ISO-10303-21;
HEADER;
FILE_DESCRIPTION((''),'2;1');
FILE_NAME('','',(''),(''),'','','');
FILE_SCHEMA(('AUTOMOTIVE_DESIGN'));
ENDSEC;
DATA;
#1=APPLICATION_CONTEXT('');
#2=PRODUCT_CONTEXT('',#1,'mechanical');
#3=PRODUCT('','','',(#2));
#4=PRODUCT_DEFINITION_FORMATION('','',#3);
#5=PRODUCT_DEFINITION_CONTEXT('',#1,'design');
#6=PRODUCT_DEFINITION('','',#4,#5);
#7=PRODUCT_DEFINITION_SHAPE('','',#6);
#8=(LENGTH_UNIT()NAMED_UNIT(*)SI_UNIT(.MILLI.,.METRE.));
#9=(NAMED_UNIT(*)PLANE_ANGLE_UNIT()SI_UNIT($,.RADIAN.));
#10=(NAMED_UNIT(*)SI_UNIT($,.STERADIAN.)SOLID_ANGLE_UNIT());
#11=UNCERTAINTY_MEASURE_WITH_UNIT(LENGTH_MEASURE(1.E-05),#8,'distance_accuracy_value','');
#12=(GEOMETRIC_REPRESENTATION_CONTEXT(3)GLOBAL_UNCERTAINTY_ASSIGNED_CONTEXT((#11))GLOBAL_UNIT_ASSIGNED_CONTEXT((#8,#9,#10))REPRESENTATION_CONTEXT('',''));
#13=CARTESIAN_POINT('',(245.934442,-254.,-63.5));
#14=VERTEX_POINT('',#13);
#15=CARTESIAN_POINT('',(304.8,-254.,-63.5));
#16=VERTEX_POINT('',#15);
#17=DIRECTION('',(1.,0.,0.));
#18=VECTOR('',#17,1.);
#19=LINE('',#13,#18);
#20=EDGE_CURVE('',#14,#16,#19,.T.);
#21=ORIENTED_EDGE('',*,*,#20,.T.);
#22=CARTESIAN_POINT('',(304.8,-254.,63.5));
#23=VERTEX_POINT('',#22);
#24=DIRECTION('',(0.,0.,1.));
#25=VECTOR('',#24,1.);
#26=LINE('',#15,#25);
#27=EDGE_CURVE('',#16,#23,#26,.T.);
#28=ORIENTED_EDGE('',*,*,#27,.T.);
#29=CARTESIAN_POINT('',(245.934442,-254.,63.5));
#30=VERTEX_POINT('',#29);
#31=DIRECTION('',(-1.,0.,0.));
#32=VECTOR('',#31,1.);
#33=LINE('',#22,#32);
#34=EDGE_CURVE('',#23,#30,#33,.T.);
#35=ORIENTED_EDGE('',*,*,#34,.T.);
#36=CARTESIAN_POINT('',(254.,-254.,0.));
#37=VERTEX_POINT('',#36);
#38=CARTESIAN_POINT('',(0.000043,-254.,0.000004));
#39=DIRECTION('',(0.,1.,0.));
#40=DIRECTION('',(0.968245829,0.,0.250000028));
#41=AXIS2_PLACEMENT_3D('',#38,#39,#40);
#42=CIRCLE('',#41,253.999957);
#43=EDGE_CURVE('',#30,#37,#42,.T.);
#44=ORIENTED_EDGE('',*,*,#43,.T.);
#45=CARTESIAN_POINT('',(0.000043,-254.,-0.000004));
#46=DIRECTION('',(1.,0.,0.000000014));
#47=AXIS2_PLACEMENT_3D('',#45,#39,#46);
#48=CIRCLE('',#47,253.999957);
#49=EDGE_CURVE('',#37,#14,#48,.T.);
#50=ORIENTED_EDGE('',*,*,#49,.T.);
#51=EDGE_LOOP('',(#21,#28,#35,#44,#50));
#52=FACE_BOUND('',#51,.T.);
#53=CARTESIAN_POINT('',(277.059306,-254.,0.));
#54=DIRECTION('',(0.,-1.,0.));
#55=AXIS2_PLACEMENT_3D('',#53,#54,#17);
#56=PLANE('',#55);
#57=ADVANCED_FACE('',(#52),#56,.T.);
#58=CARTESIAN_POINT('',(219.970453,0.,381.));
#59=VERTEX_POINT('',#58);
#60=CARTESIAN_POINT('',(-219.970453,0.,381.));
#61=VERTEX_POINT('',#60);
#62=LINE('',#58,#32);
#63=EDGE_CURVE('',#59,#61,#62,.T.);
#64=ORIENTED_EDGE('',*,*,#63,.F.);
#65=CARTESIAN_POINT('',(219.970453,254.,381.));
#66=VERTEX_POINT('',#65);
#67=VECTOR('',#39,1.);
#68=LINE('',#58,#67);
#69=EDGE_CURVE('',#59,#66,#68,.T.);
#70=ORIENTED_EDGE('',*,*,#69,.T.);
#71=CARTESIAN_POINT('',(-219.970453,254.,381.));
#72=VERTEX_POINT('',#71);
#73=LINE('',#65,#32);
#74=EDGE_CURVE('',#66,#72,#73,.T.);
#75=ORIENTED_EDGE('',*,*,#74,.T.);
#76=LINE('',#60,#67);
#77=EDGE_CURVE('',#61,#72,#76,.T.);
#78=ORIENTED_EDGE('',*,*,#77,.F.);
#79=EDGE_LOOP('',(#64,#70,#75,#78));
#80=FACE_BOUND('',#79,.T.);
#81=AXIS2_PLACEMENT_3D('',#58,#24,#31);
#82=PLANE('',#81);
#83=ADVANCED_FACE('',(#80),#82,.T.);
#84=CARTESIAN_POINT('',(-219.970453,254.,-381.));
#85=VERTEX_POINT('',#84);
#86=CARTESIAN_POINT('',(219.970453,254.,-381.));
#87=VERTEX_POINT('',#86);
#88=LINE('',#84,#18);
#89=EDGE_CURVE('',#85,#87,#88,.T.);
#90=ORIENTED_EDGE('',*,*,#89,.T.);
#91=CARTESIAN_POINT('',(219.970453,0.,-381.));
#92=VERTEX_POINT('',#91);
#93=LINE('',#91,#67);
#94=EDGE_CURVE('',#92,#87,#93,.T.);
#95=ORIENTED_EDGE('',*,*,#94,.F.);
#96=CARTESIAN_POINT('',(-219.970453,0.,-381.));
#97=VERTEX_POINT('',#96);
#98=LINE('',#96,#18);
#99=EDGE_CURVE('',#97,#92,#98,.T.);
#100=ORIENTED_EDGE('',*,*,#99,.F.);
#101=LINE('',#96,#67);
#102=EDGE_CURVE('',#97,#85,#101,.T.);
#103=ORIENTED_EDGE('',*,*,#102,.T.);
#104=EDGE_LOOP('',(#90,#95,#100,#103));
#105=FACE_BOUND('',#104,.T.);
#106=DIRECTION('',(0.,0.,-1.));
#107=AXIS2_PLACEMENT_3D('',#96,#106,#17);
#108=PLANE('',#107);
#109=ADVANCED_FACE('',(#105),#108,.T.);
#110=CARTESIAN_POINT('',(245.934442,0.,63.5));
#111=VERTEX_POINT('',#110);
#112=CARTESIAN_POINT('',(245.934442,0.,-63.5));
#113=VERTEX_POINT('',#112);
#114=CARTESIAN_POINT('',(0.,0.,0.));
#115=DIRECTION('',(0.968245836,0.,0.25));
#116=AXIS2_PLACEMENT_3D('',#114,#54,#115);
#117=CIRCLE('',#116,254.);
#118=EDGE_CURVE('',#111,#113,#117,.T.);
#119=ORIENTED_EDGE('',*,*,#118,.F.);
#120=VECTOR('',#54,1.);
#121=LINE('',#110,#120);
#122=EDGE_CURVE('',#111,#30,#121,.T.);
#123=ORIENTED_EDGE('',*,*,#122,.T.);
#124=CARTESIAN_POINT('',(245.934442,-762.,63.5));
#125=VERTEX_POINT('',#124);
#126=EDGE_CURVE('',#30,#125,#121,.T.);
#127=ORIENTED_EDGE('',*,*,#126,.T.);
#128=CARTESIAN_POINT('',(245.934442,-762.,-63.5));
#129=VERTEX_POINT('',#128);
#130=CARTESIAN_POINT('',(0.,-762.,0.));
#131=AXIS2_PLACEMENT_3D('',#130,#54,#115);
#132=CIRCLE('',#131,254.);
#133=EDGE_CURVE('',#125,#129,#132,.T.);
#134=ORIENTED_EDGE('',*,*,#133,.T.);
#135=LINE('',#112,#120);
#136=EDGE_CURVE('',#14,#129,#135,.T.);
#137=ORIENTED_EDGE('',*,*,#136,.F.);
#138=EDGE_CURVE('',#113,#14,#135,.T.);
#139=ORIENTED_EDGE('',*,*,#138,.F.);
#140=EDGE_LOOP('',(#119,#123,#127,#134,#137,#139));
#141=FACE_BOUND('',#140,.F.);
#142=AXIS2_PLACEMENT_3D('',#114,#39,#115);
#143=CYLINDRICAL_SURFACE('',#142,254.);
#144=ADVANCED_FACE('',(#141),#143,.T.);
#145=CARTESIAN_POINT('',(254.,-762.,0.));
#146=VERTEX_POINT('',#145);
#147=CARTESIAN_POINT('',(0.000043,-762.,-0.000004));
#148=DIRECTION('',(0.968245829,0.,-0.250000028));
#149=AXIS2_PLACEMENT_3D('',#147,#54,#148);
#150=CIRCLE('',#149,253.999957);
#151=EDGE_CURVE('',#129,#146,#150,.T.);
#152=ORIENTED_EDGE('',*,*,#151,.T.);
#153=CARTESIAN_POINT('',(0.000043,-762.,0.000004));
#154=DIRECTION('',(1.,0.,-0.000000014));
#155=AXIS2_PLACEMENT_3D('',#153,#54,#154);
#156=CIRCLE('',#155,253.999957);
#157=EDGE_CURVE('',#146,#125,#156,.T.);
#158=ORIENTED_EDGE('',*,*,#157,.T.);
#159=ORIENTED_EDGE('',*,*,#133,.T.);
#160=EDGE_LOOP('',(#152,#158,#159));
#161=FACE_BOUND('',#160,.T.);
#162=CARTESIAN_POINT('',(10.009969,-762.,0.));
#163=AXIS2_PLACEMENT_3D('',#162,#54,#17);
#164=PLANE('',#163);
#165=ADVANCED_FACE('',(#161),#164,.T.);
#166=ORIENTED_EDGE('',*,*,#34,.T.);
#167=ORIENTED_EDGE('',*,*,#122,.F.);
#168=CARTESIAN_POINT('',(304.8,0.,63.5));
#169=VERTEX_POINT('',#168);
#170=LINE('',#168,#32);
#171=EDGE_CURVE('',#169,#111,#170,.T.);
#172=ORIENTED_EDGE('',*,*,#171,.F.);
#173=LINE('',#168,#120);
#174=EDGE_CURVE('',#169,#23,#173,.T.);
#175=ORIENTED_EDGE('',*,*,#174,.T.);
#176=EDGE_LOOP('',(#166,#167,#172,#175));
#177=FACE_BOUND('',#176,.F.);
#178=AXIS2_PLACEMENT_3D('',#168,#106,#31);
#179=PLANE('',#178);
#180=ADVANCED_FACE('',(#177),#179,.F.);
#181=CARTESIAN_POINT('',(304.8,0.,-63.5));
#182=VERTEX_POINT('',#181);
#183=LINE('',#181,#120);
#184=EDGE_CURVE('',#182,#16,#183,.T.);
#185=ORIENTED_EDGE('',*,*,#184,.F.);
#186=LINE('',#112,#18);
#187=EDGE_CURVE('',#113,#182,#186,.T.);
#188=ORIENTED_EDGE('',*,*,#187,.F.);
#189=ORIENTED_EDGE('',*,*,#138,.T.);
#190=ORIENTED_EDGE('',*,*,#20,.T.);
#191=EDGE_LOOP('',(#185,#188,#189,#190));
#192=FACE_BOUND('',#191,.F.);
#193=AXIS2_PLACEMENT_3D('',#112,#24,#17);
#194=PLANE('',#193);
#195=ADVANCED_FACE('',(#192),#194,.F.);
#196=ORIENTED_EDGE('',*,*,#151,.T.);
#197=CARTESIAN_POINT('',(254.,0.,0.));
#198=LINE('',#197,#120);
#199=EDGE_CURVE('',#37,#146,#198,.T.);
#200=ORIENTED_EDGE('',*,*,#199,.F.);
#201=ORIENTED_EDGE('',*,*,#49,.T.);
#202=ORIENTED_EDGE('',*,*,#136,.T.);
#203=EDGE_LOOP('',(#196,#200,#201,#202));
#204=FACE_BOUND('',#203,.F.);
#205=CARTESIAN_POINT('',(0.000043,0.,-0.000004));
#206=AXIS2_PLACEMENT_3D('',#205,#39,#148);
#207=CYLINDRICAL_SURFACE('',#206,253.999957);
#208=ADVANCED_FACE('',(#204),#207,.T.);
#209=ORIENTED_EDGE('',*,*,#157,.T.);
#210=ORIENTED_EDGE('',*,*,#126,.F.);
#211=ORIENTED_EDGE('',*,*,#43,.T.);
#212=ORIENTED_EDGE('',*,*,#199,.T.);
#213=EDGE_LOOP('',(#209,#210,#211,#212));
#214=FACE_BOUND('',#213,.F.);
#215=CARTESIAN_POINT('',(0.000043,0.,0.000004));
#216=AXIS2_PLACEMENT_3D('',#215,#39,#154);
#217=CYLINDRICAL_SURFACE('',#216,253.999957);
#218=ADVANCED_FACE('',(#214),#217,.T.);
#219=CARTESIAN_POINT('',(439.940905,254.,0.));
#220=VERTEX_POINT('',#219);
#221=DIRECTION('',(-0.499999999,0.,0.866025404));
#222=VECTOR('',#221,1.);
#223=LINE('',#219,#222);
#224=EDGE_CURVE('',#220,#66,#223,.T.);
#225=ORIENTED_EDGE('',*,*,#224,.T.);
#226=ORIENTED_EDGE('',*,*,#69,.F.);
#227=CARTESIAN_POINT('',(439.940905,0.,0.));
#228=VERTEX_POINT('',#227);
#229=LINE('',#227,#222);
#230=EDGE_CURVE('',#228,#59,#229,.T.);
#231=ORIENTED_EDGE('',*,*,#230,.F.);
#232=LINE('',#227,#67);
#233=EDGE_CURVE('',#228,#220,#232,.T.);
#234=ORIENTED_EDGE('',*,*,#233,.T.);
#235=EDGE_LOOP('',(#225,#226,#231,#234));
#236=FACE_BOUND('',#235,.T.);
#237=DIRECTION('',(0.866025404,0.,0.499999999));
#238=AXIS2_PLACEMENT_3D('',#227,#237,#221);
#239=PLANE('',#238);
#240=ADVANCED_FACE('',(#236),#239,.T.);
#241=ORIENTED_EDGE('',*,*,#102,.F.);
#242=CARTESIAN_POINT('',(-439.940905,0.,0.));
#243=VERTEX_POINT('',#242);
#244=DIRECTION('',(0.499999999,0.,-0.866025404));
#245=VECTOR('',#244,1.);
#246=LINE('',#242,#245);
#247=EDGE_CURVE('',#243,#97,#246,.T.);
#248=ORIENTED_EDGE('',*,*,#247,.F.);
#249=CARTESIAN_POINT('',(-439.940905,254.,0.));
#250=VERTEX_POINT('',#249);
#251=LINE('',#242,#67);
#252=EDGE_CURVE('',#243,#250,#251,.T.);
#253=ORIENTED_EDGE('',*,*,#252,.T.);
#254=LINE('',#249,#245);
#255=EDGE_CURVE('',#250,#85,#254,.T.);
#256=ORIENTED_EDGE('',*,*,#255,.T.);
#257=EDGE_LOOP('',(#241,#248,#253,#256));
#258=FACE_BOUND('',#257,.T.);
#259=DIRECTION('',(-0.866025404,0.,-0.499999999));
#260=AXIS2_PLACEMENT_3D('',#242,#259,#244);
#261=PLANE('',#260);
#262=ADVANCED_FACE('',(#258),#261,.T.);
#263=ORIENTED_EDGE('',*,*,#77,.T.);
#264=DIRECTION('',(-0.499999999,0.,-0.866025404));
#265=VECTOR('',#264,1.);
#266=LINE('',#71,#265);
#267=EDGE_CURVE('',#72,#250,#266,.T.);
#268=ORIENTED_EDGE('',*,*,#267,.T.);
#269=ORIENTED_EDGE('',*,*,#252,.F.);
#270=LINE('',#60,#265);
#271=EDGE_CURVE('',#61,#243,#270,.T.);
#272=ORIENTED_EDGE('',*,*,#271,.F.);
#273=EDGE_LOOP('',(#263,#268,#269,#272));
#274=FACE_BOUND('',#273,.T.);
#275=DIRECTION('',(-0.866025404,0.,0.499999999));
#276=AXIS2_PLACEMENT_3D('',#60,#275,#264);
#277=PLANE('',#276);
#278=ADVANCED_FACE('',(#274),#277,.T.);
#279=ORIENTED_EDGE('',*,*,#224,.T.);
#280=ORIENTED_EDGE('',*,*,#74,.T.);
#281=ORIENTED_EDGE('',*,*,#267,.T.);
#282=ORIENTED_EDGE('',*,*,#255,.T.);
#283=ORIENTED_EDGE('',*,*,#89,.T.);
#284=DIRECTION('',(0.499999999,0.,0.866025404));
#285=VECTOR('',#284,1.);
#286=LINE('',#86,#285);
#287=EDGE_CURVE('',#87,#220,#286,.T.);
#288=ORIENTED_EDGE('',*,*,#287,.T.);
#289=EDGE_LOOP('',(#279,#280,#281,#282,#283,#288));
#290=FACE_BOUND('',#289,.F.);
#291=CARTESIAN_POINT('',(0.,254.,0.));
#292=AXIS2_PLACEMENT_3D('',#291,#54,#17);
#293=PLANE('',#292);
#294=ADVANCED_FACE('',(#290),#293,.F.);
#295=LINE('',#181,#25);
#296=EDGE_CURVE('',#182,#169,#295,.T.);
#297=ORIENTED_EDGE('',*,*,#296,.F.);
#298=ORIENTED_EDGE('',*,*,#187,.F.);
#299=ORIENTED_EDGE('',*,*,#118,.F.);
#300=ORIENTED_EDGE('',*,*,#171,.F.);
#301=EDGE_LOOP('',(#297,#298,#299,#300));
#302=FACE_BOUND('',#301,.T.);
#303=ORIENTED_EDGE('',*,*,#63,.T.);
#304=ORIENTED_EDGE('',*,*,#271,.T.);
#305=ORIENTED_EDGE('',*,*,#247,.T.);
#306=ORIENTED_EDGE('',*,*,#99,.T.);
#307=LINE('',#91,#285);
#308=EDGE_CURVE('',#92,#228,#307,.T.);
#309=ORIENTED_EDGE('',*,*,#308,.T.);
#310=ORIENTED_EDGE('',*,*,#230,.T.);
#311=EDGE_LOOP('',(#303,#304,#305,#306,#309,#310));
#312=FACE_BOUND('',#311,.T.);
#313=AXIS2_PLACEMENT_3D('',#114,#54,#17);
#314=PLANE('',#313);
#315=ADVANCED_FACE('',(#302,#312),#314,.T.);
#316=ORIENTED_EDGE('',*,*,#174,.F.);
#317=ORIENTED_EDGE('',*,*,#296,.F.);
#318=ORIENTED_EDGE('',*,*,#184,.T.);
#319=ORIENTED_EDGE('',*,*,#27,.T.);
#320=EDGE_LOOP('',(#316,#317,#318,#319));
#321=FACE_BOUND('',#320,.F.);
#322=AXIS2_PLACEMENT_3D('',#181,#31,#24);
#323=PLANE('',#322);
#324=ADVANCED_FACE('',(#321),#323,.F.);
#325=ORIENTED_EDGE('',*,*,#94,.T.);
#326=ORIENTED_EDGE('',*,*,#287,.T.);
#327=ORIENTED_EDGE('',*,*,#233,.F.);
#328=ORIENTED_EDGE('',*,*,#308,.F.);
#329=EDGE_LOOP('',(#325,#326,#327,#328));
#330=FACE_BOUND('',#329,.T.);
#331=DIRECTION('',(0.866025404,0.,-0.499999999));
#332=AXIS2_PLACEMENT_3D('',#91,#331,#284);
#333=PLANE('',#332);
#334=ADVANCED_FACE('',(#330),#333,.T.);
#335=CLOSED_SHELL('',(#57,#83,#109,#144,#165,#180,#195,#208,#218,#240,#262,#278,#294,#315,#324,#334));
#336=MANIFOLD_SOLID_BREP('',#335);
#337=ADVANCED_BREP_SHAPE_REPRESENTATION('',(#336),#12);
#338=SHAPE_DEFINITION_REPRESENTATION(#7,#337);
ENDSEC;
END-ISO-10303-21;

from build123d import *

# Parameters (mm, degrees)
F1_DEPTH = 762
F2_DEPTH = 254
F4_DEPTH = 254


with BuildPart() as f1:
    # F0 (on Front) → F1 (new body)
    with BuildSketch(Plane.XZ):
        with BuildLine():
            ThreePointArc((254, 0), (251.975543, 32.00509), (245.934442, 63.5))
            ThreePointArc((245.934442, 63.5), (-254, 0), (245.934442, -63.5))
            ThreePointArc((245.934442, -63.5), (251.975543, -32.00509), (254, 0))
        make_face()
    extrude(amount=F1_DEPTH)

    # F0 (on Front) → F2 (join)
    with BuildSketch(Plane.XZ):
        with BuildLine():
            Line((304.8, 63.5), (245.934442, 63.5))
            ThreePointArc((245.934442, 63.5), (251.975543, 32.00509), (254, 0))
            ThreePointArc((254, 0), (251.975543, -32.00509), (245.934442, -63.5))
            Line((245.934442, -63.5), (304.8, -63.5))
            Line((304.8, -63.5), (304.8, 63.5))
        make_face()
    extrude(amount=F2_DEPTH)

    # F3 (on face) + F0 (on Front) → F4 (join)
    with BuildSketch(Plane.XZ):
        Polygon((219.970453, 381), (-219.970453, 381), (-439.940905, 0), (-219.970453, -381), (219.970453, -381), (439.940905, 0), align=None)
    with BuildSketch(Plane.XZ):
        Polygon((219.970453, 381), (-219.970453, 381), (-439.940905, 0), (-219.970453, -381), (219.970453, -381), (439.940905, 0), align=None)
        with BuildLine():
            ThreePointArc((245.934442, -63.5), (-254, 0), (245.934442, 63.5))
            Line((245.934442, 63.5), (304.8, 63.5))
            Line((304.8, 63.5), (304.8, -63.5))
            Line((304.8, -63.5), (245.934442, -63.5))
        make_face(mode=Mode.SUBTRACT)
    extrude(amount=-F4_DEPTH)


solid = f1.part
